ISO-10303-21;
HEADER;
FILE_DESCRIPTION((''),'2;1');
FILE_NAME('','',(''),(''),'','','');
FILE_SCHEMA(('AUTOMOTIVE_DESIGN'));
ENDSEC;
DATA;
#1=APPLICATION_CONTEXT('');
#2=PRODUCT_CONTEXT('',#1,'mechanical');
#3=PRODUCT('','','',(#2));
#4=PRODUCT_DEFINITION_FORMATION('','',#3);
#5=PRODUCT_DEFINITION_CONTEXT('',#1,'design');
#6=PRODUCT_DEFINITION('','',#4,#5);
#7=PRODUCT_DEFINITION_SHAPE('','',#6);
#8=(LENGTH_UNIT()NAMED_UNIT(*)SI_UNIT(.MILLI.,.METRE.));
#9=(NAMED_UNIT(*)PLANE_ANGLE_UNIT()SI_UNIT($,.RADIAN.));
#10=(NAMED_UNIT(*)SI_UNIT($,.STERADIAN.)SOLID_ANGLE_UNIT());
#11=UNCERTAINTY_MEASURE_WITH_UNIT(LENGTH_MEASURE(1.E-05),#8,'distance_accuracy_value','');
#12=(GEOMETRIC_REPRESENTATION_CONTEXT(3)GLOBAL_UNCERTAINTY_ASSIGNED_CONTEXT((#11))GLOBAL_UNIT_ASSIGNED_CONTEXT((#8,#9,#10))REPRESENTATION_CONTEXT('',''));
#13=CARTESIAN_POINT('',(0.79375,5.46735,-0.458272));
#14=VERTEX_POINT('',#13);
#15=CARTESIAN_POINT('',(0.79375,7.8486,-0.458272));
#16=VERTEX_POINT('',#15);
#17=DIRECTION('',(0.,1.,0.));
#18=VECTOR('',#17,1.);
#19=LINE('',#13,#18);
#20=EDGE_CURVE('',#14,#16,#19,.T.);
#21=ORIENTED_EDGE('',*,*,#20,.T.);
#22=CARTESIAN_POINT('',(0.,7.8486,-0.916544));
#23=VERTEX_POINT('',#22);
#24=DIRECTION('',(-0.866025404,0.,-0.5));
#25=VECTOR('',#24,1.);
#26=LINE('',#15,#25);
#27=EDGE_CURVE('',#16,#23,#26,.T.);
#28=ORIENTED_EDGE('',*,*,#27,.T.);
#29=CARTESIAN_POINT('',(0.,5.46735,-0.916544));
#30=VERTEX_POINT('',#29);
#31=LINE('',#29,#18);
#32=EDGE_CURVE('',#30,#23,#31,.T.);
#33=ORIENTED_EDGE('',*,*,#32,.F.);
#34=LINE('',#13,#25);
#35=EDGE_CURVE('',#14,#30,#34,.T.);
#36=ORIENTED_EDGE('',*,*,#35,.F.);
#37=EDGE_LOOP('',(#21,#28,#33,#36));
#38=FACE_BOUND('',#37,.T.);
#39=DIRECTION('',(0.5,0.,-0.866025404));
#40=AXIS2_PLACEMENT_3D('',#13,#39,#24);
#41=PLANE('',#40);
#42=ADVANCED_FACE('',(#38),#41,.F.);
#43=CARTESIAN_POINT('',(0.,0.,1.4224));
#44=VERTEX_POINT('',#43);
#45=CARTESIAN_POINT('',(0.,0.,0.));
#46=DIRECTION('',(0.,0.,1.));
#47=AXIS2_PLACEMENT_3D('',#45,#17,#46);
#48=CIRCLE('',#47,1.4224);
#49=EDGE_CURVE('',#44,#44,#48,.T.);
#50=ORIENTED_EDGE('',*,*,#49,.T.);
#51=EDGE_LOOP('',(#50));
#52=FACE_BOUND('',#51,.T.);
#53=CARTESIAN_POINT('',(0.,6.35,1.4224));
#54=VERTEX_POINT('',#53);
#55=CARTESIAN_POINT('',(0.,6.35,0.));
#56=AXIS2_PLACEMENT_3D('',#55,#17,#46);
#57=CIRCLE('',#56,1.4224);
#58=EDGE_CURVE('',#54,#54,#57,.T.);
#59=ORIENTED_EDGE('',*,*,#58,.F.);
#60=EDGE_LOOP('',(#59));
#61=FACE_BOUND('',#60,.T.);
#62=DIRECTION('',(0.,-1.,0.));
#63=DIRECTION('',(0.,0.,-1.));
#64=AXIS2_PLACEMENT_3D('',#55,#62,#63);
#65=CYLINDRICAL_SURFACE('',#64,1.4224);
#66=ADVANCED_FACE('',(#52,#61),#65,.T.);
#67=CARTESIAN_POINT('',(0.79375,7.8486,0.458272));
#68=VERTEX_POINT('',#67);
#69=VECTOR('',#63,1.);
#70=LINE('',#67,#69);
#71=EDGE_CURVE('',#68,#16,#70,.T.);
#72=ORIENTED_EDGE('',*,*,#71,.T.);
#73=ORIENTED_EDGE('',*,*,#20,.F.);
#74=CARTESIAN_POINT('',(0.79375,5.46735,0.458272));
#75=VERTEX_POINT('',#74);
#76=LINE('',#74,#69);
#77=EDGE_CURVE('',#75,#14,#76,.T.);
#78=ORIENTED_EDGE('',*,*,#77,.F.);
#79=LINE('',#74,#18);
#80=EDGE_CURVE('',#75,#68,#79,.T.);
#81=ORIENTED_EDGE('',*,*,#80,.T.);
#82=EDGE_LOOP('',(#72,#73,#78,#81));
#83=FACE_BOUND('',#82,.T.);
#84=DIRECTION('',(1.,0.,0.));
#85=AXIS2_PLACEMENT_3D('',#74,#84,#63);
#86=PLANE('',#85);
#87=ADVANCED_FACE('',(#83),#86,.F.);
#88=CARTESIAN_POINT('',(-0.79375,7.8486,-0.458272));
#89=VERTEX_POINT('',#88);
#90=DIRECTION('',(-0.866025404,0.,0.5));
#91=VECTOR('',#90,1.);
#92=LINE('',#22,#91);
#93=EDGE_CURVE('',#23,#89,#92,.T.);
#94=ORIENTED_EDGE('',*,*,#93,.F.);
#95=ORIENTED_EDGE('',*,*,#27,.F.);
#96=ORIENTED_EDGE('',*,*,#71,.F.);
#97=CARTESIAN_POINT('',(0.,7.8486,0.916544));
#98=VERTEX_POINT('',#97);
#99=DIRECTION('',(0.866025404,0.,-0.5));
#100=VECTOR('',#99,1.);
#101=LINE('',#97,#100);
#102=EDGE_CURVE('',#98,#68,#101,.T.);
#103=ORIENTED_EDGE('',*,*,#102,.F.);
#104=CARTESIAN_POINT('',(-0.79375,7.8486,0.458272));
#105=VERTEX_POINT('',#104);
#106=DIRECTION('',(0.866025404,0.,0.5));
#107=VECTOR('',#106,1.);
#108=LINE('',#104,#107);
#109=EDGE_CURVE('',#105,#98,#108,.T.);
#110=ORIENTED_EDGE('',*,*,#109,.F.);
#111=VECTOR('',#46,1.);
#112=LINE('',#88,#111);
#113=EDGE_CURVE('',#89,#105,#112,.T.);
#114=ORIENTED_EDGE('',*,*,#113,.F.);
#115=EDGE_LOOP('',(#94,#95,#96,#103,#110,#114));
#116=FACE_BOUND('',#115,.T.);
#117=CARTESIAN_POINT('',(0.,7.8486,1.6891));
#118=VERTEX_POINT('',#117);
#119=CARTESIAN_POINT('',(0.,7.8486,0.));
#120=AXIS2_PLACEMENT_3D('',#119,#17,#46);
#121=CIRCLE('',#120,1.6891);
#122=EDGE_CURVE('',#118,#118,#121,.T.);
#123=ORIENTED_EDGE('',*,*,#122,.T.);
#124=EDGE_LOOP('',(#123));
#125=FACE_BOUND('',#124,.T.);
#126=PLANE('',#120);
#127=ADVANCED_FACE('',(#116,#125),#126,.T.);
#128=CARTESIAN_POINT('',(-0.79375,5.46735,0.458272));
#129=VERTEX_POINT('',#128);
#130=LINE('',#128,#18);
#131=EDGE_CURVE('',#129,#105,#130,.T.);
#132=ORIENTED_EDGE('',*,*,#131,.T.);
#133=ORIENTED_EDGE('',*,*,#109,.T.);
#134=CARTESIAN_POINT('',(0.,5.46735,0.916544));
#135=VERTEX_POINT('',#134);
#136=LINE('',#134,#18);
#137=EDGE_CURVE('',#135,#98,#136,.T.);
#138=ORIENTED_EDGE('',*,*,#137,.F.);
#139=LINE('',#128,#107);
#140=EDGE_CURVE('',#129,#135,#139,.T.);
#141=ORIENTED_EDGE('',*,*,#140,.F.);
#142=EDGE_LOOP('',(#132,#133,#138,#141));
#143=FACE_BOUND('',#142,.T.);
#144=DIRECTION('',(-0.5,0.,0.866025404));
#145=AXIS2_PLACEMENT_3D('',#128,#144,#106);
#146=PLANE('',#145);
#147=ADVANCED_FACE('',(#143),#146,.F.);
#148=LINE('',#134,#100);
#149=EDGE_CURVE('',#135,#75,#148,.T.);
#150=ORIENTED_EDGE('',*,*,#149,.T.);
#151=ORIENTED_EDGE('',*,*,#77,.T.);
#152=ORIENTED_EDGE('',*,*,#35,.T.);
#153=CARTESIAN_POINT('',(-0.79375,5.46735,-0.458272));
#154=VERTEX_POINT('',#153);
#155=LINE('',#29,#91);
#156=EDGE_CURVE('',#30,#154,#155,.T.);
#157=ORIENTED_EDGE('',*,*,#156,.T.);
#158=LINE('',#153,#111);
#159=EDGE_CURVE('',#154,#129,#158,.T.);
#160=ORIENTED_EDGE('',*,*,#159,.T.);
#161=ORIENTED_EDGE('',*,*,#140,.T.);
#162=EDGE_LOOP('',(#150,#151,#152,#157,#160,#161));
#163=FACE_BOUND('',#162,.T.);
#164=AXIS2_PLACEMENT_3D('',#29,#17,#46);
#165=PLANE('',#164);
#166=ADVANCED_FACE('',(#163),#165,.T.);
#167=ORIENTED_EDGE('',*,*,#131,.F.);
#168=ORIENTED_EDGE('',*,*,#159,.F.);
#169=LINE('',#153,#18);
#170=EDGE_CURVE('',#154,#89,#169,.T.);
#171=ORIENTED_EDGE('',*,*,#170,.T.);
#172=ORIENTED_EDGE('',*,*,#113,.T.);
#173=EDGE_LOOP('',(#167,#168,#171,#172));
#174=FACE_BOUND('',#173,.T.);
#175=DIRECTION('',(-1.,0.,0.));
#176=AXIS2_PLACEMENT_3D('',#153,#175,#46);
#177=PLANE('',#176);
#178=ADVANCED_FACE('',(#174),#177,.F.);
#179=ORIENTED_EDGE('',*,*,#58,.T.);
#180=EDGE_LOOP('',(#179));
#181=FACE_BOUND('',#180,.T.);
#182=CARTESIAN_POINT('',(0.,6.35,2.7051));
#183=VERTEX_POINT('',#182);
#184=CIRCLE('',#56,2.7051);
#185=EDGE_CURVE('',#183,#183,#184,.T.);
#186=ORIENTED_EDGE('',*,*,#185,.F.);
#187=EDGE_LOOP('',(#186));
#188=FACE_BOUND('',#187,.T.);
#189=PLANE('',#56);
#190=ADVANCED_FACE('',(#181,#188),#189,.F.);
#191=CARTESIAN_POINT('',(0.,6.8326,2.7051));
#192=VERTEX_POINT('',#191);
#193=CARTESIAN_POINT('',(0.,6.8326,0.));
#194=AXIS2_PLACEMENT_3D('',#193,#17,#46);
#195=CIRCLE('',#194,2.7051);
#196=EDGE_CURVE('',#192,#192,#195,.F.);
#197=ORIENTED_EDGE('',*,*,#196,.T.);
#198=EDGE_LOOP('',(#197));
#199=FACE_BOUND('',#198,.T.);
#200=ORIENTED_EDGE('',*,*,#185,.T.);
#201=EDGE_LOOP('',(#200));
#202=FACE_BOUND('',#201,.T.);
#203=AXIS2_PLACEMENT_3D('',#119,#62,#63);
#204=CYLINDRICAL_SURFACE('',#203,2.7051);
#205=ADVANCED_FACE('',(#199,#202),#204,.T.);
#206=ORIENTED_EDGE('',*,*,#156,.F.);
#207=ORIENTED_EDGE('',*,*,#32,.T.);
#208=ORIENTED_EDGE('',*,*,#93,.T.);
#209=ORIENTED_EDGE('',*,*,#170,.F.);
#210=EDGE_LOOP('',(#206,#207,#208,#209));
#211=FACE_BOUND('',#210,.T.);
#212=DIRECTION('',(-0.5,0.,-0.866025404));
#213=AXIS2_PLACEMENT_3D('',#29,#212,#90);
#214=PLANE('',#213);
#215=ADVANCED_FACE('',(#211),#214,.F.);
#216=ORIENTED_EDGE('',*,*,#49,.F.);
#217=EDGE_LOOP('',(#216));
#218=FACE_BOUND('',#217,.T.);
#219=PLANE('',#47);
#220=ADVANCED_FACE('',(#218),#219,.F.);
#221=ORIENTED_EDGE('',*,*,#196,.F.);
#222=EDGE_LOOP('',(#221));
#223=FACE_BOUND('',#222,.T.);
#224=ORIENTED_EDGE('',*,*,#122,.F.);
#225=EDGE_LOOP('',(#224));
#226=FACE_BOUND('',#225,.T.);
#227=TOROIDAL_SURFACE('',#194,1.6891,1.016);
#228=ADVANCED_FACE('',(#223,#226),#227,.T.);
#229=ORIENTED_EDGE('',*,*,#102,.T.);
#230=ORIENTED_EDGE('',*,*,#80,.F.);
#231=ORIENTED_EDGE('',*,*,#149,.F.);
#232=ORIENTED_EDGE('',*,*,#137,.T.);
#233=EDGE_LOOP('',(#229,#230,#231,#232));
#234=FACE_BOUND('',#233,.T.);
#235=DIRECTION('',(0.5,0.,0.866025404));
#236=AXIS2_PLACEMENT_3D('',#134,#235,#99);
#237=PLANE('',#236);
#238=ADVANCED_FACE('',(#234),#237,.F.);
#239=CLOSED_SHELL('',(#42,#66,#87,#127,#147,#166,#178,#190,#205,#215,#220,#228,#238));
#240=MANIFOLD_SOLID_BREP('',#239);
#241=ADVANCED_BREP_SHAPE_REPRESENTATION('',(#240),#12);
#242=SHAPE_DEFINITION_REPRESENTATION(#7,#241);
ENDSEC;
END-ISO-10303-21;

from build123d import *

# Parameters (mm, degrees)
SKETCH1_R           = 1.4224
BOSS_EXTRUDE1_DEPTH = 6.35
SKETCH2_R           = 2.7051
BOSS_EXTRUDE2_DEPTH = 1.4986
FILLET1_R           = 1.016
CUT_EXTRUDE1_DEPTH  = 2.38125


with BuildPart() as part:
    # Sketch1 → Boss-Extrude1 (new body)
    with BuildSketch(Plane(origin=(0, 0, 0), x_dir=(1, 0, 0), z_dir=(0, 1, 0))):
        Circle(SKETCH1_R)
    extrude(amount=BOSS_EXTRUDE1_DEPTH)

    # Sketch2 → Boss-Extrude2 (add)
    with BuildSketch(Plane(origin=(0, 6.35, 0), x_dir=(1, 0, 0), z_dir=(0, 1, 0))):
        Circle(SKETCH2_R)
    extrude(amount=BOSS_EXTRUDE2_DEPTH)

    # Fillet1
    fillet1_edges = [part.edges().sort_by_distance(p)[0] for p in [
        (-2.7051, 7.8486, 0),
    ]]
    fillet(fillet1_edges, radius=FILLET1_R)

    # Sketch3 → Cut-Extrude1 (cut)
    with BuildSketch(Plane(origin=(0, 7.8486, 0), x_dir=(1, 0, 0), z_dir=(0, 1, 0))):
        Polygon((0, 0.916543552), (-0.79375, 0.458271776), (-0.79375, -0.458271776), (0, -0.916543552), (0.79375, -0.458271776), (0.79375, 0.458271776), align=None)
    extrude(amount=-CUT_EXTRUDE1_DEPTH, mode=Mode.SUBTRACT)


solid = part.part
